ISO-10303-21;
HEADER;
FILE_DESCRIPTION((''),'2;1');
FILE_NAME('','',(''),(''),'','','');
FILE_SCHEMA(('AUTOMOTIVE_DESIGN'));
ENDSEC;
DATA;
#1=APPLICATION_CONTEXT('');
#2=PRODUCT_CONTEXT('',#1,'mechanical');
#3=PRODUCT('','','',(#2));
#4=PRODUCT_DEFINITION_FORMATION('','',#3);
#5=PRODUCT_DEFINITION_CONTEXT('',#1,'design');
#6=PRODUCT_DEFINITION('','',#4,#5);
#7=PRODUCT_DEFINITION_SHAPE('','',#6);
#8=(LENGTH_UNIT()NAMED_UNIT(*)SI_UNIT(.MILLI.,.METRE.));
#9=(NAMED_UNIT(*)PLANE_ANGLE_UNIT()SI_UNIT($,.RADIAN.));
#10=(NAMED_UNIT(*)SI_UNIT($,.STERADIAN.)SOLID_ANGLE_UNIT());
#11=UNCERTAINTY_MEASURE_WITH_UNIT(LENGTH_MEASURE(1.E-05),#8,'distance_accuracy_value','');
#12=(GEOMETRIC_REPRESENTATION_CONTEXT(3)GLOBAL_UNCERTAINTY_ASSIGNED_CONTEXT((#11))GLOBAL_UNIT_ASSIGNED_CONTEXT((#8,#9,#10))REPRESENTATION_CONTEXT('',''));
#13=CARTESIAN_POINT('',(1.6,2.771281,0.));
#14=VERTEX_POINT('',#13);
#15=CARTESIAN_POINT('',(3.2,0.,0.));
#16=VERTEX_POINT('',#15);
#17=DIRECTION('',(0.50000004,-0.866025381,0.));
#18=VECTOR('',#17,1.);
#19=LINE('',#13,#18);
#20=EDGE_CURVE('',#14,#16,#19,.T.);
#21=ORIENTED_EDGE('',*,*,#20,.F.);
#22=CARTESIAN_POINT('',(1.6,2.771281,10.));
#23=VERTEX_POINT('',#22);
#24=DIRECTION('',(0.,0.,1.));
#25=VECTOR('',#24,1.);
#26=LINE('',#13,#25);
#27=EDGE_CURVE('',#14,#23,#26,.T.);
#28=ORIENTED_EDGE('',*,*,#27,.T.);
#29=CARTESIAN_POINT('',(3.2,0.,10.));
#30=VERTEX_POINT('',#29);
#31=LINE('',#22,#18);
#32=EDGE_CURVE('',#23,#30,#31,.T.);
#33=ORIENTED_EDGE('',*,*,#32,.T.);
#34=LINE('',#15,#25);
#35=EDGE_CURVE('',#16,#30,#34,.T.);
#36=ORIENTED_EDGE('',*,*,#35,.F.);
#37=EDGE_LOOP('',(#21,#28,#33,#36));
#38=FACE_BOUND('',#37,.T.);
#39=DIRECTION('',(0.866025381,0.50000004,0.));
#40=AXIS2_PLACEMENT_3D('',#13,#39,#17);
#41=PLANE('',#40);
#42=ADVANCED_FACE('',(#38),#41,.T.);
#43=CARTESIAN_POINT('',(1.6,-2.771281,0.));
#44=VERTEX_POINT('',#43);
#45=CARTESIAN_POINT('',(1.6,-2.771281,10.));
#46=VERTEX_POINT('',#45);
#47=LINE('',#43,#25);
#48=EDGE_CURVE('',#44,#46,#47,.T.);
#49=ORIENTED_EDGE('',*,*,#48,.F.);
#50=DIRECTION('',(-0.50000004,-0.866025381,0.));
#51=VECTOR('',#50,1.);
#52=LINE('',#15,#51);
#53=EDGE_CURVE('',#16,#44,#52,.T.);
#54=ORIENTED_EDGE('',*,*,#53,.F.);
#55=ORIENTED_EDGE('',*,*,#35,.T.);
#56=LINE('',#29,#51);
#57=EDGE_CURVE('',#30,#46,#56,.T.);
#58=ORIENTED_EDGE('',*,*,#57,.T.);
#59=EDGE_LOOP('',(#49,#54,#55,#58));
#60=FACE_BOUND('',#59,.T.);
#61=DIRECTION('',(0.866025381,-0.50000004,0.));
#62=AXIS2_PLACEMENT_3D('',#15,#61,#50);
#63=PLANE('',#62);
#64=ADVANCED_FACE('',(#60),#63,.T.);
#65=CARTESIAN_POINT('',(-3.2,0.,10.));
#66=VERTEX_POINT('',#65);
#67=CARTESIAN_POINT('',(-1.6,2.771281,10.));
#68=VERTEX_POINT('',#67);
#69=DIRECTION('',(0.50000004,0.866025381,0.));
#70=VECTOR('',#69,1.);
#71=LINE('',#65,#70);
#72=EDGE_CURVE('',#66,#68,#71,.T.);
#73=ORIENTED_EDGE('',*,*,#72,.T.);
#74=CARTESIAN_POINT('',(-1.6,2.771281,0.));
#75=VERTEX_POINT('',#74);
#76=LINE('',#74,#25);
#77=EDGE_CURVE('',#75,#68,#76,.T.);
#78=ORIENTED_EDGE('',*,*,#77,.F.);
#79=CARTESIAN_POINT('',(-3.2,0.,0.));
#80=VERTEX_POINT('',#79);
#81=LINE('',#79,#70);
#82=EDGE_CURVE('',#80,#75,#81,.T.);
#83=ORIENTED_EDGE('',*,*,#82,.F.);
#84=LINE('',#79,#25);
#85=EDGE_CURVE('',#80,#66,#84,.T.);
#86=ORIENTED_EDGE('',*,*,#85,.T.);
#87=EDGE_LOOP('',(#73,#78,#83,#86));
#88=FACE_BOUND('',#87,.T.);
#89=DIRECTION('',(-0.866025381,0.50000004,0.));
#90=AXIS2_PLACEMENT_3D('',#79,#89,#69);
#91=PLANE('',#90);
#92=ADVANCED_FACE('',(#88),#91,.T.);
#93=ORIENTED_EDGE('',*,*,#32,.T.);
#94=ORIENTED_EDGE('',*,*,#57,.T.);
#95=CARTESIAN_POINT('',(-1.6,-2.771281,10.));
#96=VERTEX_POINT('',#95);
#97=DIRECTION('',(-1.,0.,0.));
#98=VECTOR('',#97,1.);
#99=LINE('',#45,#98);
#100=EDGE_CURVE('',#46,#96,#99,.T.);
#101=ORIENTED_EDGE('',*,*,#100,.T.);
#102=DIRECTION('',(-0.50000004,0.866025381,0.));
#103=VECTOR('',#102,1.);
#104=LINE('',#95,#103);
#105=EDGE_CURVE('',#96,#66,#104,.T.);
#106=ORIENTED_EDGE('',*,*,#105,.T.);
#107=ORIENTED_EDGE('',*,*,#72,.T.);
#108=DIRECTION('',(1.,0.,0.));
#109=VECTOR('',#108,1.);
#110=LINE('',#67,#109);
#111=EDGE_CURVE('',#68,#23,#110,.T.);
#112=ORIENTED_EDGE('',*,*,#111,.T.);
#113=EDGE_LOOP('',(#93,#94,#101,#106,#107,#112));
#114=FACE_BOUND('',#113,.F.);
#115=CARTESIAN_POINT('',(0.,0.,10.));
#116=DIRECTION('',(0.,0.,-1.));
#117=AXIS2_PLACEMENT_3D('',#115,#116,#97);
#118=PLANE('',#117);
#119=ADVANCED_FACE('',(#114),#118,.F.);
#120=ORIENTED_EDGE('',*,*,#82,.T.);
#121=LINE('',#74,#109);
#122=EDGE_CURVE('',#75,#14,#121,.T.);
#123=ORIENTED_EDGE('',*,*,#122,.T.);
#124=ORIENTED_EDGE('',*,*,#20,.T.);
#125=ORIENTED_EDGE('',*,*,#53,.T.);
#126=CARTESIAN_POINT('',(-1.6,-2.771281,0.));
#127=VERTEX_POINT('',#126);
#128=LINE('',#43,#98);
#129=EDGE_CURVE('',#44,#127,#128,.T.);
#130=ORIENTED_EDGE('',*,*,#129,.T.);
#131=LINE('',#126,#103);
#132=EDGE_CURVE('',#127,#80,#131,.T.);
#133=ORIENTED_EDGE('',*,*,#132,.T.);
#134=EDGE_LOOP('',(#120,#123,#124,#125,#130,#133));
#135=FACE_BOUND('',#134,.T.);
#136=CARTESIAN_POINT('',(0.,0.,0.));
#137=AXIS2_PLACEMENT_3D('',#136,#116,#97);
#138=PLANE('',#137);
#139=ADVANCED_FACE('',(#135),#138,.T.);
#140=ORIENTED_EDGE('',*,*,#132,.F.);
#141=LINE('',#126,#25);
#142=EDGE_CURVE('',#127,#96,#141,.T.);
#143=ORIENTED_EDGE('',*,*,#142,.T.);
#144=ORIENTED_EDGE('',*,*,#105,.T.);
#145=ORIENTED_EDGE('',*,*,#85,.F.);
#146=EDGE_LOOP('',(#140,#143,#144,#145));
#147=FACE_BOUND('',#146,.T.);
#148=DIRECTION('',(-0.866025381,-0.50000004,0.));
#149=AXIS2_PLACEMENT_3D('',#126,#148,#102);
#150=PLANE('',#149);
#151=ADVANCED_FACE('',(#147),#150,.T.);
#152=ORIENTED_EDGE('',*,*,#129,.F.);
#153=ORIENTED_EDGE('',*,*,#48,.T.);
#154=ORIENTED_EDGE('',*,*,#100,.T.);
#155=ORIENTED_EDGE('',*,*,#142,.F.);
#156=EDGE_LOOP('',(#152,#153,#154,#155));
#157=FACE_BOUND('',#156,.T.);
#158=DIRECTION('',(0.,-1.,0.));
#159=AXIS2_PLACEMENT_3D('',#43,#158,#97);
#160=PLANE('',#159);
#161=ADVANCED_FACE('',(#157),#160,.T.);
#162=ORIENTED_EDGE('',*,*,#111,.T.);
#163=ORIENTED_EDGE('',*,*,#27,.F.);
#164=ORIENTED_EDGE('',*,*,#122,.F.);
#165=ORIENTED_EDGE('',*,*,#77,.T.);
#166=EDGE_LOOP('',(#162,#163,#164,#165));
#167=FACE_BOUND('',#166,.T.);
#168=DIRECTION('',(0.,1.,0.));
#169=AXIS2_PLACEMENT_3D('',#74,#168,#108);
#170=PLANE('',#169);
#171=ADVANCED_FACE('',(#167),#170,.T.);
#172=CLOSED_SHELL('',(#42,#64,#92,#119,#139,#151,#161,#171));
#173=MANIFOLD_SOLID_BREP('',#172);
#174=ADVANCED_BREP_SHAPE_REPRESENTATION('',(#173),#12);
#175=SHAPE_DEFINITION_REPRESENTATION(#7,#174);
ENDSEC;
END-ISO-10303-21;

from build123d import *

# Parameters (mm, degrees)
EXTRUDE_DEPTH = 10


with BuildPart() as part:
    # Sketch → Extrude (new body)
    with BuildSketch(Plane.XY):
        Polygon((-1.6, 2.771281), (1.6, 2.771281), (3.2, 0), (1.6, -2.771281), (-1.6, -2.771281), (-3.2, 0), align=None)
    extrude(amount=EXTRUDE_DEPTH)


solid = part.part
